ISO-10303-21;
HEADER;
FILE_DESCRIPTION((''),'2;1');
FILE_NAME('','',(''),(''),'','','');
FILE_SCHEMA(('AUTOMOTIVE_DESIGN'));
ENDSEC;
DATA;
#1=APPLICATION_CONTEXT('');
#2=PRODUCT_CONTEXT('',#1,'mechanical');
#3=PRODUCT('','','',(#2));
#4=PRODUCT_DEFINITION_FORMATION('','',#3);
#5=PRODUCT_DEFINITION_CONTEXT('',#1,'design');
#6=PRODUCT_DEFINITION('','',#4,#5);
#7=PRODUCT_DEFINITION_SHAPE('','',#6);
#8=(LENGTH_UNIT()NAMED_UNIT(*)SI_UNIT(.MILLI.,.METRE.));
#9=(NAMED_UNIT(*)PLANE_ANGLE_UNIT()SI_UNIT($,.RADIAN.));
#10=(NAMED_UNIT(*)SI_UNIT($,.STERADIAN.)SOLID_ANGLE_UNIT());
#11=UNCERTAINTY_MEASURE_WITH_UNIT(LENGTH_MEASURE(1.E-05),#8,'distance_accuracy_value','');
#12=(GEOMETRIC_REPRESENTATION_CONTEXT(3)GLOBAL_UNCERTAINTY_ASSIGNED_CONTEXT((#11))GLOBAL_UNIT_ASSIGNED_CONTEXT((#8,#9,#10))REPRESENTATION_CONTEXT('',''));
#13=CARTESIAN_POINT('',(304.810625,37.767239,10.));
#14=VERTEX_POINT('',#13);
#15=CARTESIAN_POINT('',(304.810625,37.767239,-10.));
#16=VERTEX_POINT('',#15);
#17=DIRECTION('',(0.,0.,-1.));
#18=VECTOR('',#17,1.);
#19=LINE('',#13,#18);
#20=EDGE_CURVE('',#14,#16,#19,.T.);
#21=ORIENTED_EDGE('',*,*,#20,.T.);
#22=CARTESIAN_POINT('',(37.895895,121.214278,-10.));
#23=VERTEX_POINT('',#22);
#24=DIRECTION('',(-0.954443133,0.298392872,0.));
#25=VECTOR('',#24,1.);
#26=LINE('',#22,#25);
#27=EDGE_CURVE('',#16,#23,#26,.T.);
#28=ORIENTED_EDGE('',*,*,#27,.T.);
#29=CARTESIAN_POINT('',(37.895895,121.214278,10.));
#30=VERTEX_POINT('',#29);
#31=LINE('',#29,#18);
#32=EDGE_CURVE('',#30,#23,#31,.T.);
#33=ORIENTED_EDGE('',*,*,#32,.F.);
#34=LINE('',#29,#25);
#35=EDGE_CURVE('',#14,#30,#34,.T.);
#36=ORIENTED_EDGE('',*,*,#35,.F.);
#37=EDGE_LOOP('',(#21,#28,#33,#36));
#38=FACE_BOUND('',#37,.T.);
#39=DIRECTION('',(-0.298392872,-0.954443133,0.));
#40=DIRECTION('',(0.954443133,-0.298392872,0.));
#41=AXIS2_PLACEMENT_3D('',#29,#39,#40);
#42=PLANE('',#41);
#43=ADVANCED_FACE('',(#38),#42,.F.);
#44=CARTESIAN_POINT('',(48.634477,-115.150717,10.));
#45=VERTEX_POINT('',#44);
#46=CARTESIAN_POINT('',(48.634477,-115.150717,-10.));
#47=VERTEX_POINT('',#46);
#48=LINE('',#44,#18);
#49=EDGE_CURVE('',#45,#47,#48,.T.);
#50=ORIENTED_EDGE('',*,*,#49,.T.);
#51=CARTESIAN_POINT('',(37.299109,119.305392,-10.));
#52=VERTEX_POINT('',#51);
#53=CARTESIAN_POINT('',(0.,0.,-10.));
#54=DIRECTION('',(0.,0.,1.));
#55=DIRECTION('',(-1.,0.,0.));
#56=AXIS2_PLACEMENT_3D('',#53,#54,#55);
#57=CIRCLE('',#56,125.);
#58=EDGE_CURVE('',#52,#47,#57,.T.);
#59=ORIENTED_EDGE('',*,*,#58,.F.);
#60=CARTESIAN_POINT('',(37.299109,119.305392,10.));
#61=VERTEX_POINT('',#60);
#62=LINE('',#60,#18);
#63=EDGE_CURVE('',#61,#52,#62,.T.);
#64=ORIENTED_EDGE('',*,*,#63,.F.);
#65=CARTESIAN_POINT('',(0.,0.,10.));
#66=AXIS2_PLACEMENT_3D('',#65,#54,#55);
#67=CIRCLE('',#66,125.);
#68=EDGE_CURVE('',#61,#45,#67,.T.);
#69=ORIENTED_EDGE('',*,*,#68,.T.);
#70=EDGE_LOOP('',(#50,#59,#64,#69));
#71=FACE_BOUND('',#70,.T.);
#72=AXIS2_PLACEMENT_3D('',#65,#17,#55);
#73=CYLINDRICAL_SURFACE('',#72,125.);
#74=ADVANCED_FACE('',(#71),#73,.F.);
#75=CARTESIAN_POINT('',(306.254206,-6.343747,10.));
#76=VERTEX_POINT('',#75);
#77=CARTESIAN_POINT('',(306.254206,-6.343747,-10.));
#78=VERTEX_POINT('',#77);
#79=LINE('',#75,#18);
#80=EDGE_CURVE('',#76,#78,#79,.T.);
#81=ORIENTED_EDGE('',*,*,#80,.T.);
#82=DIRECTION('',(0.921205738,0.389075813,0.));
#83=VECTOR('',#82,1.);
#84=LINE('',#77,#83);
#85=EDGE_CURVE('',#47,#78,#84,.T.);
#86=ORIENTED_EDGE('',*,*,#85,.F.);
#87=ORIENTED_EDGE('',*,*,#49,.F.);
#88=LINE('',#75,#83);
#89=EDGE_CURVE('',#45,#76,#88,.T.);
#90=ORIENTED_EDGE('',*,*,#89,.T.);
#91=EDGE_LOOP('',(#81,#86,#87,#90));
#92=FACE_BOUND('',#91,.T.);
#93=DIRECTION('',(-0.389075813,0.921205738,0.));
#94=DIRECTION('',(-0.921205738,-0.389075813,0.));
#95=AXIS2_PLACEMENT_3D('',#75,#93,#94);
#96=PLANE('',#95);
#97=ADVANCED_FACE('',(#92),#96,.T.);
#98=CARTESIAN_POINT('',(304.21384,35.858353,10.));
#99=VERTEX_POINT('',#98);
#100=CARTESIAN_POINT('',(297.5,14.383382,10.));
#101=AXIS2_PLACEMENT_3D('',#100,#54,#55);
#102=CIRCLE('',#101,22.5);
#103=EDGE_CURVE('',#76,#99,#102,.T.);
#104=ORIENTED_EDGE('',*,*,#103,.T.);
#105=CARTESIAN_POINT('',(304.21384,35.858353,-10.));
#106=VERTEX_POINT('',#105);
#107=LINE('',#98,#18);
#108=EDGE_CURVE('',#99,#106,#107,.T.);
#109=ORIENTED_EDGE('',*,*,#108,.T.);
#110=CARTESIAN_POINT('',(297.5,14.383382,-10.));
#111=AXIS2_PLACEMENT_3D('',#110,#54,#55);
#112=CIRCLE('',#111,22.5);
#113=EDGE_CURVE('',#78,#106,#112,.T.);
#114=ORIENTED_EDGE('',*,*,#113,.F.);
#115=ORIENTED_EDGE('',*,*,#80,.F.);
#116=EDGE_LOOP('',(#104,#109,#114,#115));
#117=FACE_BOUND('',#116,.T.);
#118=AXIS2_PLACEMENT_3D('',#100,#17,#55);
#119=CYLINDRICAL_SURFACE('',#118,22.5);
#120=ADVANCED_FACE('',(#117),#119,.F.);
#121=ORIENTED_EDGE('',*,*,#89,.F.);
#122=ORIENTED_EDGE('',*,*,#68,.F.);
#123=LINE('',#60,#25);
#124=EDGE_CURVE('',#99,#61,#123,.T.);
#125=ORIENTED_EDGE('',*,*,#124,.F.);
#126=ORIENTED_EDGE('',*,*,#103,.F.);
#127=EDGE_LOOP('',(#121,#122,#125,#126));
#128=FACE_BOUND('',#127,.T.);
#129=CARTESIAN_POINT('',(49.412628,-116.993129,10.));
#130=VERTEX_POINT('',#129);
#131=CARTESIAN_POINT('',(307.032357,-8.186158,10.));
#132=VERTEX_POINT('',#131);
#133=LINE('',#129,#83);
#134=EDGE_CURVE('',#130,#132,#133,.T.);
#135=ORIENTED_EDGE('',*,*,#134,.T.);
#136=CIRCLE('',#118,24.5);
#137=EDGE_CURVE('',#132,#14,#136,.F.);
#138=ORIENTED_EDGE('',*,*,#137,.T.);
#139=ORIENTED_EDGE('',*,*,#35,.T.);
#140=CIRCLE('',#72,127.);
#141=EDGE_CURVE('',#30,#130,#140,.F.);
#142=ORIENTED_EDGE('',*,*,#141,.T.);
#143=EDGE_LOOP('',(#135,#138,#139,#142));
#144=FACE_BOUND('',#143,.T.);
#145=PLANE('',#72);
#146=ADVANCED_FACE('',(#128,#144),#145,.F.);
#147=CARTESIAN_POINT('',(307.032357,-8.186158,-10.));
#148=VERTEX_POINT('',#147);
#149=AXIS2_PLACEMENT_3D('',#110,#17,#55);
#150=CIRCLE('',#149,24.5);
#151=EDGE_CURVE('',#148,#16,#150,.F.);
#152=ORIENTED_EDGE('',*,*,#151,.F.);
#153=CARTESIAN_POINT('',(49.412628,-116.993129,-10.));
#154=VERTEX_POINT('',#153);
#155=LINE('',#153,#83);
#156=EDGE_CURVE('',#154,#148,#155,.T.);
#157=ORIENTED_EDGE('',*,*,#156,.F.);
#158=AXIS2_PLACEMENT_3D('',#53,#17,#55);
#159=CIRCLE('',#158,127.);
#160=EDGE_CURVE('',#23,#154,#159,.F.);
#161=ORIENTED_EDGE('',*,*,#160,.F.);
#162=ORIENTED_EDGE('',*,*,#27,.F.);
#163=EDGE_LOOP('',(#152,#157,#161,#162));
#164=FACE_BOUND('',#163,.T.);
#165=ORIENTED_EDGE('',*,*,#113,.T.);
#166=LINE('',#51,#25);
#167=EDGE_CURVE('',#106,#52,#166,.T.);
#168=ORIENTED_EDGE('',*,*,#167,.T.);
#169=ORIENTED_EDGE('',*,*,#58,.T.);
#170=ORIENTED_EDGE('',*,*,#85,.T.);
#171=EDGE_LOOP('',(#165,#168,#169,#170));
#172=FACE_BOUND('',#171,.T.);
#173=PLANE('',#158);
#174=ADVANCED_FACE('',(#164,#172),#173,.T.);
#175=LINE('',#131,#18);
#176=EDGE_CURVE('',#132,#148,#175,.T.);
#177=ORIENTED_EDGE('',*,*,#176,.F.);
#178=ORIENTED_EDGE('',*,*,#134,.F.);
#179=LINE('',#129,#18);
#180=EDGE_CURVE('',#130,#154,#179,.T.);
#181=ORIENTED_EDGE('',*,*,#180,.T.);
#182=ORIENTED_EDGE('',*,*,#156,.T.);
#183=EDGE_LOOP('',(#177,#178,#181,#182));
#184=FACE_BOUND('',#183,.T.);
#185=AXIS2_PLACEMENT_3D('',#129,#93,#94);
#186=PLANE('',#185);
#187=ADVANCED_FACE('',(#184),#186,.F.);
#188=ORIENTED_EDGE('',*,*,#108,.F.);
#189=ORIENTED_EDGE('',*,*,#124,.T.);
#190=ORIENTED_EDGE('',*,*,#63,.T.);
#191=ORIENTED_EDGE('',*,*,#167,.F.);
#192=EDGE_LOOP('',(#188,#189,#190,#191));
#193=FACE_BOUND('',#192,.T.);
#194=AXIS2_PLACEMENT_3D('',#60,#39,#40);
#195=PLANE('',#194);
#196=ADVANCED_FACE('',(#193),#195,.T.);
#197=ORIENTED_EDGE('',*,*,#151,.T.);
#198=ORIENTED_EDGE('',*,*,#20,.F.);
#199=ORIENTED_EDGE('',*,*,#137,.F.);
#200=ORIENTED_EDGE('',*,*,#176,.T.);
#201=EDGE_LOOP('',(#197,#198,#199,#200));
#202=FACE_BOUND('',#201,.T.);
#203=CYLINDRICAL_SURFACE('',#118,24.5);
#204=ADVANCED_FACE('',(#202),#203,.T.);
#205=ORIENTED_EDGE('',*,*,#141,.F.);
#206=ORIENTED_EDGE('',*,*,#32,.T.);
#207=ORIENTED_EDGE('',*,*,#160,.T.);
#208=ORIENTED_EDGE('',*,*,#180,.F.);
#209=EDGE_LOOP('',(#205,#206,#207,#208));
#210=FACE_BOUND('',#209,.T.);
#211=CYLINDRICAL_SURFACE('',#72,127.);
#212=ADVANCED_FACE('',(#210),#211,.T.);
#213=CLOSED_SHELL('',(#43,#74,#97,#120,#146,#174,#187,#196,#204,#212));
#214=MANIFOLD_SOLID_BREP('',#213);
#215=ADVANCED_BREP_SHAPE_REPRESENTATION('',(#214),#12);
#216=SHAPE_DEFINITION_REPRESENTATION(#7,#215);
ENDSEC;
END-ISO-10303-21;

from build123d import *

# Parameters (mm, degrees)
EXTRUDE_THIN1_DEPTH = 10


with BuildPart() as part:
    # Sketch2 → Extrude-Thin1 (new, symmetric)
    with BuildSketch(Plane.XY):
        with BuildLine():
            Line((307.032357419, -8.186158212), (49.412628252, -116.993128726))
            ThreePointArc((49.412628252, -116.993128726), (-126.851829657, -6.132969312), (37.895894766, 121.214277872))
            Line((37.895894766, 121.214277872), (304.810625368, 37.767239124))
            ThreePointArc((304.810625368, 37.767239124), (321.971415958, 15.566514244), (307.032357419, -8.186158212))
        make_face()
        with BuildLine():
            Line((306.254205793, -6.343746736), (48.634476626, -115.15071725))
            ThreePointArc((48.634476626, -115.15071725), (-124.854163049, -6.036387118), (37.299109021, 119.305391606))
            Line((37.299109021, 119.305391606), (304.213839624, 35.858352858))
            ThreePointArc((304.213839624, 35.858352858), (319.973749349, 15.46993205), (306.254205793, -6.343746736))
        make_face(mode=Mode.SUBTRACT)
    extrude(amount=EXTRUDE_THIN1_DEPTH, both=True)


solid = part.part
